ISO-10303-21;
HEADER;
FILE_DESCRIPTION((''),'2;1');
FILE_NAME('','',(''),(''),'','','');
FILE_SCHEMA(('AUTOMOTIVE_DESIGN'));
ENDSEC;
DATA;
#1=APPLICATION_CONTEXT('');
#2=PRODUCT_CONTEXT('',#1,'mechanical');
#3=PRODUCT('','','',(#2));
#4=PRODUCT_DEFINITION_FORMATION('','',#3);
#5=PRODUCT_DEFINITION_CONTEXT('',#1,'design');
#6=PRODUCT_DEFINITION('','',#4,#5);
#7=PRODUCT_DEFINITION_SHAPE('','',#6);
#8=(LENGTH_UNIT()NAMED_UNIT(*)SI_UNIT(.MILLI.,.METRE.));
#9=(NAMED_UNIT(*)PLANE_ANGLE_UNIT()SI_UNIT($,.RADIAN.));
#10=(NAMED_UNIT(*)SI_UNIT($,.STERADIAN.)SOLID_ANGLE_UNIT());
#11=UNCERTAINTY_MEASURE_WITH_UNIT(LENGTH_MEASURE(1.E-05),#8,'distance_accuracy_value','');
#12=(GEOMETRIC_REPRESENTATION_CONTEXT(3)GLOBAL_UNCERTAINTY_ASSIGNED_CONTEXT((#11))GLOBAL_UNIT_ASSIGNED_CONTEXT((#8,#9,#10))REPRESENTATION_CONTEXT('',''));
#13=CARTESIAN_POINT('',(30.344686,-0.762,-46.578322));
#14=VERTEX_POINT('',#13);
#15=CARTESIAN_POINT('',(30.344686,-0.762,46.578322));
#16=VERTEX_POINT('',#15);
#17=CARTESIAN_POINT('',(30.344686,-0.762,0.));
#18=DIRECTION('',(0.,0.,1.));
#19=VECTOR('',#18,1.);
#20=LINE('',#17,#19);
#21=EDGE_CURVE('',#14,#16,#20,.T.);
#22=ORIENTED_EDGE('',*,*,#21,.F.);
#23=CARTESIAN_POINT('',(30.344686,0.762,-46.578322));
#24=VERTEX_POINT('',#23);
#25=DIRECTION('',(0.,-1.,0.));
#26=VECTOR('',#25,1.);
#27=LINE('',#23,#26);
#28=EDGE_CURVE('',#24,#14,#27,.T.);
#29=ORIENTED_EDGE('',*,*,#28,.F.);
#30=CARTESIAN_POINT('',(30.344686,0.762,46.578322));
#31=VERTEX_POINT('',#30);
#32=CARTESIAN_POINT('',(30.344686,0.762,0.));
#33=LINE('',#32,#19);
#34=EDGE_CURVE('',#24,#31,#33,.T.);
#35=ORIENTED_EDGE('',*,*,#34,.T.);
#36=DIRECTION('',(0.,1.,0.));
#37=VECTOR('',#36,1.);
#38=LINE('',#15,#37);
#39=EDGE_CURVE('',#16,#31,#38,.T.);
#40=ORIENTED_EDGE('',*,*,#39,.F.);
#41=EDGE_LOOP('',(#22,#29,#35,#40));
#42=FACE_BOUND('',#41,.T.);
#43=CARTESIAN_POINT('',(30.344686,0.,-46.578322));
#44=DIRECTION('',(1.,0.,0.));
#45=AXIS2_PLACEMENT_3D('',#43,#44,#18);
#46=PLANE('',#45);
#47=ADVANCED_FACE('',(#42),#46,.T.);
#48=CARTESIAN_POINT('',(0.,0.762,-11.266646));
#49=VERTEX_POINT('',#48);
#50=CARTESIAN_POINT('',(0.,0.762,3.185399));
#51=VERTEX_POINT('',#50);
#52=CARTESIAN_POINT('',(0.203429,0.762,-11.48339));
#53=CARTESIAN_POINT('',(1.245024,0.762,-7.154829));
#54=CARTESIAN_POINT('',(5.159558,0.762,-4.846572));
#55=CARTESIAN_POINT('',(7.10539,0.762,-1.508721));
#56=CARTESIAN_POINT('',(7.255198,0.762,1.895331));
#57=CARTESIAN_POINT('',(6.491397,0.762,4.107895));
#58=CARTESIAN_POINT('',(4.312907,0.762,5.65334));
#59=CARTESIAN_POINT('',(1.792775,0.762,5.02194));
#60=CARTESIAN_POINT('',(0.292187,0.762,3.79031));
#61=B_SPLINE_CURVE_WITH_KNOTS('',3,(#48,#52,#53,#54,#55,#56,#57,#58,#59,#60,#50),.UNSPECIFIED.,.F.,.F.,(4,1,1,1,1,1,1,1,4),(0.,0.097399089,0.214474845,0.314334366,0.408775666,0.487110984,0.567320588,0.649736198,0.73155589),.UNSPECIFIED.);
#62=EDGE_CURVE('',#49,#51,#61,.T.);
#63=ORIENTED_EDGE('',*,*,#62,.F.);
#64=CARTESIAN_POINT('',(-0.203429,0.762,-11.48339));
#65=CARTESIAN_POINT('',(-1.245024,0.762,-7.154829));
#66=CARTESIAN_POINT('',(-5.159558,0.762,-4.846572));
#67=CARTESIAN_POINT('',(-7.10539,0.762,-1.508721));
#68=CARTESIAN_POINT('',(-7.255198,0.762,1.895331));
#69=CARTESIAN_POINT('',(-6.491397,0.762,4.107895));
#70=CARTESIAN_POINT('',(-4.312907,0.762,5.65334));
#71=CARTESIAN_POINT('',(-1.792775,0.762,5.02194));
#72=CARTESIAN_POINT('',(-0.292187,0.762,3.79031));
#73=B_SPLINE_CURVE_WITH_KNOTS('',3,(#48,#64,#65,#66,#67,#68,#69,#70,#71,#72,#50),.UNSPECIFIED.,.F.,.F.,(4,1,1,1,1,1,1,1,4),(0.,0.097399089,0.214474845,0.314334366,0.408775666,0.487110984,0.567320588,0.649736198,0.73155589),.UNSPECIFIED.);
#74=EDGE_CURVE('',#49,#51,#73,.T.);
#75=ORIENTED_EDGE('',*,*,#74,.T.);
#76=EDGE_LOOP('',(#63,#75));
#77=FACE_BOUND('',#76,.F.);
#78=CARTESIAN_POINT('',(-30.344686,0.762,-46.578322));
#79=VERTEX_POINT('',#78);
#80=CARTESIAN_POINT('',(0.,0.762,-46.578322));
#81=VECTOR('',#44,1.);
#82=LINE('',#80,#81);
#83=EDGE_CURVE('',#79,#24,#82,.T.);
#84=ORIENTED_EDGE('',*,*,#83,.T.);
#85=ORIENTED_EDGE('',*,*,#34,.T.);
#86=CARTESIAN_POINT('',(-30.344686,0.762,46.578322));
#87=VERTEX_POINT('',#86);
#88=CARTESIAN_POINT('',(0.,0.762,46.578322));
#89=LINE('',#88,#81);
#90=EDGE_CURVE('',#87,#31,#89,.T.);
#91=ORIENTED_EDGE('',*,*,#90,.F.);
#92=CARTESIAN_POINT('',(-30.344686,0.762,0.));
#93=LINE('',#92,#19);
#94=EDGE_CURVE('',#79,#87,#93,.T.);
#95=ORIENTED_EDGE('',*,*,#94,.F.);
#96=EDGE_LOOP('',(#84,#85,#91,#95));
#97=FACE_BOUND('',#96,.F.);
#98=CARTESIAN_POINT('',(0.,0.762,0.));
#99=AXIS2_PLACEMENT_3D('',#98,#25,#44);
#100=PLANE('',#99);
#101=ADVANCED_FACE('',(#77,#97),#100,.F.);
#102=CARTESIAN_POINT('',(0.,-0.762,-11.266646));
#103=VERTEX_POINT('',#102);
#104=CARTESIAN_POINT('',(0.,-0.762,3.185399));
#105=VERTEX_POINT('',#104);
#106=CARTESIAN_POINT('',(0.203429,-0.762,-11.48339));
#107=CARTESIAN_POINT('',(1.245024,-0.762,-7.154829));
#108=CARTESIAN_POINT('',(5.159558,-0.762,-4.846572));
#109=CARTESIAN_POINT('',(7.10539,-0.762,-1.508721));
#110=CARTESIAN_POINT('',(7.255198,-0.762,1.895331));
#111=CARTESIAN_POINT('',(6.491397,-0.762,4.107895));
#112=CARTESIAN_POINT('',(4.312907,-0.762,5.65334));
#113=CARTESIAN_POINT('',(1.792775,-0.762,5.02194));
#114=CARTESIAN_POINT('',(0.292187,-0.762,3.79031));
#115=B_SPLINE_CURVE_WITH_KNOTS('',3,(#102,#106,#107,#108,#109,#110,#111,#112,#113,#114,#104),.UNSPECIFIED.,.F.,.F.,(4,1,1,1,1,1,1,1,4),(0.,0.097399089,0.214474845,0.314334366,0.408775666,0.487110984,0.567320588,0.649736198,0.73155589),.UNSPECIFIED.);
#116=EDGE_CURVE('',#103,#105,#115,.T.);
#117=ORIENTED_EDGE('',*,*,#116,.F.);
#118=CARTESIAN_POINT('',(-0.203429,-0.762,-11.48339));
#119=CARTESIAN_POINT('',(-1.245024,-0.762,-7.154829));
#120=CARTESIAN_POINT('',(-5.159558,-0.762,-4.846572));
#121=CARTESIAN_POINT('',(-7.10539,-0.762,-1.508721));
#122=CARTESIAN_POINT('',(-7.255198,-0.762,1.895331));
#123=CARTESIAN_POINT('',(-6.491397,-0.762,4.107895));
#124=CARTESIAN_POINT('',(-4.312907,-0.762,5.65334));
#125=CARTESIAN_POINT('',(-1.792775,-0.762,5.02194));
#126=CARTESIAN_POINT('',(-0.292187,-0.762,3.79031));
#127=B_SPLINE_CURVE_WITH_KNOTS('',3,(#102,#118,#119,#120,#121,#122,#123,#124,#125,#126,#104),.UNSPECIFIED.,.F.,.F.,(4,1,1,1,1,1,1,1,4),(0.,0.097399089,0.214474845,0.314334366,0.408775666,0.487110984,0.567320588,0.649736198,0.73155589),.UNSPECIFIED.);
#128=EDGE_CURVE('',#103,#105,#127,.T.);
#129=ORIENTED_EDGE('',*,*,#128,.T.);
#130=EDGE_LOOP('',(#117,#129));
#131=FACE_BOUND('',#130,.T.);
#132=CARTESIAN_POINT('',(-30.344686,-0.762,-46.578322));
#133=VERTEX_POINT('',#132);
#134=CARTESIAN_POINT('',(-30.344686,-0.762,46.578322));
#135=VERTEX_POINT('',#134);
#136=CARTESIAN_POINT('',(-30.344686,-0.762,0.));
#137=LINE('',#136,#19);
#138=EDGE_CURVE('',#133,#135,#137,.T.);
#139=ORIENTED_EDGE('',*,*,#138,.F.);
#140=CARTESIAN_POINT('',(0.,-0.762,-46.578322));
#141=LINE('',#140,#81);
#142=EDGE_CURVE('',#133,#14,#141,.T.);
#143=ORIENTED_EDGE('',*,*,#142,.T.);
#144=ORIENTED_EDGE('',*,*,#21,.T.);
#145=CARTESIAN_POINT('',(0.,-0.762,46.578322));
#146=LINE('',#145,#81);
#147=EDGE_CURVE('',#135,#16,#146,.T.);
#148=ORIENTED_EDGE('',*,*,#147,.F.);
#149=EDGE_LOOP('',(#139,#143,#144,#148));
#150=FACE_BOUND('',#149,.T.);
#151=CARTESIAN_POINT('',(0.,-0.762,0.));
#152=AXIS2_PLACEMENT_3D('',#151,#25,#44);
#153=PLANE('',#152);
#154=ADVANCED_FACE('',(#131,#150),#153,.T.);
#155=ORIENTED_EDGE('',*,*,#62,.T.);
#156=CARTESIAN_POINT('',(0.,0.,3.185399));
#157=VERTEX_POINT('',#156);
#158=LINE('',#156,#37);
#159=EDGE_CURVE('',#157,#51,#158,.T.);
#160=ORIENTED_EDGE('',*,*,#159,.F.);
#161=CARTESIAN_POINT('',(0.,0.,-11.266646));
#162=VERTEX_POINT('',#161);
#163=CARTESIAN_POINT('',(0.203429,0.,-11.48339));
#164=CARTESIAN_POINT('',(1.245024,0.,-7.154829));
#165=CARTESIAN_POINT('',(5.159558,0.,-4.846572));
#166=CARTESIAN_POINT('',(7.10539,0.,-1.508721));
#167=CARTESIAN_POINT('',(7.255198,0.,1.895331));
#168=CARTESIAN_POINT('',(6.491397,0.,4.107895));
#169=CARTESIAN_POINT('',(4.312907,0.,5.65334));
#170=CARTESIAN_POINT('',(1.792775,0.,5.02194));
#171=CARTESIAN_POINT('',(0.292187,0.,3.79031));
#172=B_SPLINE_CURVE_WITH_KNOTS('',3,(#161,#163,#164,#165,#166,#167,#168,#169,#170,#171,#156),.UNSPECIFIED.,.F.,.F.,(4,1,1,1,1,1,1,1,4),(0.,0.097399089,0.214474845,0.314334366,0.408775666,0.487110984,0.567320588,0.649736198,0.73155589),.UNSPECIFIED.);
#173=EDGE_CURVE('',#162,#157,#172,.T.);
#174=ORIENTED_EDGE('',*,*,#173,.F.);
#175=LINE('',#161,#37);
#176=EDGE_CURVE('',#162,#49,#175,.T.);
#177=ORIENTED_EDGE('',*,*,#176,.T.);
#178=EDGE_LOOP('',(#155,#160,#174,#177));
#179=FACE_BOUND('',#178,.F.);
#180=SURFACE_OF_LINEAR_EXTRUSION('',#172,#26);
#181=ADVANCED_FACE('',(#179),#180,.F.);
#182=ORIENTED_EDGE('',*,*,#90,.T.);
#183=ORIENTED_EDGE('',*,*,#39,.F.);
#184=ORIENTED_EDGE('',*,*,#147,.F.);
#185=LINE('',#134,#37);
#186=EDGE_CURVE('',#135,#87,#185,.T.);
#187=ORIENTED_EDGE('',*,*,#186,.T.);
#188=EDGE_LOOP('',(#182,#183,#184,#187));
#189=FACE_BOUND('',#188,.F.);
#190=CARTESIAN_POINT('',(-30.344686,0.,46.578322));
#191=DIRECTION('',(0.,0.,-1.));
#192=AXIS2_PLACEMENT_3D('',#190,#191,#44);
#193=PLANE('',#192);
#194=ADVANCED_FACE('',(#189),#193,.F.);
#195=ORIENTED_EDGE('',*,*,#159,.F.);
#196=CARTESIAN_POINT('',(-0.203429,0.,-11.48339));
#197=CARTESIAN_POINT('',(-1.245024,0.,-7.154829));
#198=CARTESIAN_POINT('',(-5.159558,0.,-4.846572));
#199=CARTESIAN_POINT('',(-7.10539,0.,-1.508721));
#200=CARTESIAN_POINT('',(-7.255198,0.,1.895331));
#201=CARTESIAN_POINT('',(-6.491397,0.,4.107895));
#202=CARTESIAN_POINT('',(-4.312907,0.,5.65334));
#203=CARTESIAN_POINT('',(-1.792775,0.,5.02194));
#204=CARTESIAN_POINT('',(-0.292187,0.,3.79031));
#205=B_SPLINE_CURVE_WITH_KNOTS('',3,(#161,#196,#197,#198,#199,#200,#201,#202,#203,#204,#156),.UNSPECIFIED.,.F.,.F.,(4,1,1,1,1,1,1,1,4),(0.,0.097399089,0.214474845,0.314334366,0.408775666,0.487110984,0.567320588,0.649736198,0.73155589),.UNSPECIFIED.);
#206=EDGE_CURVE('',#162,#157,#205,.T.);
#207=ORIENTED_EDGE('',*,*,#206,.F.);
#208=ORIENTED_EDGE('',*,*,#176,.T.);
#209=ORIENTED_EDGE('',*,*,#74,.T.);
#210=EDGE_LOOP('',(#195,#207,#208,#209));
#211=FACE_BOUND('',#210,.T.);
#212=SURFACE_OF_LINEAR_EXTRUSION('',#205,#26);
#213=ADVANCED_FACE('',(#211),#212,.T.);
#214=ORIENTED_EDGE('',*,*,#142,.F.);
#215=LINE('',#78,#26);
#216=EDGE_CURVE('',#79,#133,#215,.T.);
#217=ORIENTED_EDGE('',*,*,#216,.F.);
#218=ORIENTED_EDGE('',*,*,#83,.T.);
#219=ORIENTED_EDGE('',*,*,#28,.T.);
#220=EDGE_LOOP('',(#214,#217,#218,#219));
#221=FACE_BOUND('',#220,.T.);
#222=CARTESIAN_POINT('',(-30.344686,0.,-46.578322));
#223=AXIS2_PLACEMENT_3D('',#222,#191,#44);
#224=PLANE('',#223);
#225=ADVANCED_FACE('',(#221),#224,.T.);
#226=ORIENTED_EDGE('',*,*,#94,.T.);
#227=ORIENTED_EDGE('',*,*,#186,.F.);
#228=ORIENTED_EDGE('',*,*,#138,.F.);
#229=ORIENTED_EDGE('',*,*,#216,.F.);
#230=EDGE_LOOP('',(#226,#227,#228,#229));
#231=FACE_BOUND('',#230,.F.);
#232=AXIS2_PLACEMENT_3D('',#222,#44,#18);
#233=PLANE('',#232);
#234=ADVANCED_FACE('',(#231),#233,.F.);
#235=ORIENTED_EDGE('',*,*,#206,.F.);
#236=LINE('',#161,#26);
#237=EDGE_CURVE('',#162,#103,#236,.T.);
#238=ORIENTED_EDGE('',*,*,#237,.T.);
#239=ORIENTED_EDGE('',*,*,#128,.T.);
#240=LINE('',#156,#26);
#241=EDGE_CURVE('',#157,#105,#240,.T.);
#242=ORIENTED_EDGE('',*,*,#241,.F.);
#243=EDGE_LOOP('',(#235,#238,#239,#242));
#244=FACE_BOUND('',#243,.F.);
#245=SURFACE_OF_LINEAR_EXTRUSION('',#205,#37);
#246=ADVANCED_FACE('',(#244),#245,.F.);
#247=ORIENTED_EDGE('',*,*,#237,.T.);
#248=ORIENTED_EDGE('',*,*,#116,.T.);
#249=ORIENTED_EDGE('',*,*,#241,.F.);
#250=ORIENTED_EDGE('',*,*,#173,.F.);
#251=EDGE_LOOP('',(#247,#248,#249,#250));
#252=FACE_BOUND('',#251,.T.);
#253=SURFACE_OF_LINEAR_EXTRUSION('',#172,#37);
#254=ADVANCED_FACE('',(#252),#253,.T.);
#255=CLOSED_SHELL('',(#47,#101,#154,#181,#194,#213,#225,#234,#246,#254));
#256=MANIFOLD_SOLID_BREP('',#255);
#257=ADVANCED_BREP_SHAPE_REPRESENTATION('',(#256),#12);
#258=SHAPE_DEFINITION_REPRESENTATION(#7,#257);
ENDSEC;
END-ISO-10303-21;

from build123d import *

# Parameters (mm, degrees)
F0_W     = 60.6893710792
F0_H     = 93.1566432118
F1_DEPTH = 0.762


with BuildPart() as f1:
    # F0 (on Front) → F1 (new body, symmetric)
    with BuildSketch(Plane.XZ):
        Rectangle(F0_W, F0_H)
        with BuildLine():
            add(Edge.make_bspline(
                [(0, -11.2666459754), (0.203428969, -11.4833896746), (1.2450240378, -7.1548294967), (5.1595577686, -4.8465718384), (7.1053896952, -1.5087208725), (7.2551979232, 1.8953306479), (6.4913965739, 4.1078952382), (4.3129073884, 5.6533398024), (1.7927746722, 5.0219402744), (0.2921866023, 3.7903101967), (0, 3.1853988767)],
                knots=[0, 0, 0, 0, 0.0973990887, 0.214474845, 0.3143343664, 0.4087756657, 0.4871109843, 0.567320588, 0.6497361985, 0.7315558898, 0.7315558898, 0.7315558898, 0.7315558898], degree=3))
            add(Edge.make_bspline(
                [(0, -11.2666459754), (-0.203428969, -11.4833896746), (-1.2450240378, -7.1548294967), (-5.1595577686, -4.8465718384), (-7.1053896952, -1.5087208725), (-7.2551979232, 1.8953306479), (-6.4913965739, 4.1078952382), (-4.3129073884, 5.6533398024), (-1.7927746722, 5.0219402744), (-0.2921866023, 3.7903101967), (0, 3.1853988767)],
                knots=[0, 0, 0, 0, 0.0973990887, 0.214474845, 0.3143343664, 0.4087756657, 0.4871109843, 0.567320588, 0.6497361985, 0.7315558898, 0.7315558898, 0.7315558898, 0.7315558898], degree=3))
        make_face(mode=Mode.SUBTRACT)
    extrude(amount=F1_DEPTH, both=True)


solid = f1.part
